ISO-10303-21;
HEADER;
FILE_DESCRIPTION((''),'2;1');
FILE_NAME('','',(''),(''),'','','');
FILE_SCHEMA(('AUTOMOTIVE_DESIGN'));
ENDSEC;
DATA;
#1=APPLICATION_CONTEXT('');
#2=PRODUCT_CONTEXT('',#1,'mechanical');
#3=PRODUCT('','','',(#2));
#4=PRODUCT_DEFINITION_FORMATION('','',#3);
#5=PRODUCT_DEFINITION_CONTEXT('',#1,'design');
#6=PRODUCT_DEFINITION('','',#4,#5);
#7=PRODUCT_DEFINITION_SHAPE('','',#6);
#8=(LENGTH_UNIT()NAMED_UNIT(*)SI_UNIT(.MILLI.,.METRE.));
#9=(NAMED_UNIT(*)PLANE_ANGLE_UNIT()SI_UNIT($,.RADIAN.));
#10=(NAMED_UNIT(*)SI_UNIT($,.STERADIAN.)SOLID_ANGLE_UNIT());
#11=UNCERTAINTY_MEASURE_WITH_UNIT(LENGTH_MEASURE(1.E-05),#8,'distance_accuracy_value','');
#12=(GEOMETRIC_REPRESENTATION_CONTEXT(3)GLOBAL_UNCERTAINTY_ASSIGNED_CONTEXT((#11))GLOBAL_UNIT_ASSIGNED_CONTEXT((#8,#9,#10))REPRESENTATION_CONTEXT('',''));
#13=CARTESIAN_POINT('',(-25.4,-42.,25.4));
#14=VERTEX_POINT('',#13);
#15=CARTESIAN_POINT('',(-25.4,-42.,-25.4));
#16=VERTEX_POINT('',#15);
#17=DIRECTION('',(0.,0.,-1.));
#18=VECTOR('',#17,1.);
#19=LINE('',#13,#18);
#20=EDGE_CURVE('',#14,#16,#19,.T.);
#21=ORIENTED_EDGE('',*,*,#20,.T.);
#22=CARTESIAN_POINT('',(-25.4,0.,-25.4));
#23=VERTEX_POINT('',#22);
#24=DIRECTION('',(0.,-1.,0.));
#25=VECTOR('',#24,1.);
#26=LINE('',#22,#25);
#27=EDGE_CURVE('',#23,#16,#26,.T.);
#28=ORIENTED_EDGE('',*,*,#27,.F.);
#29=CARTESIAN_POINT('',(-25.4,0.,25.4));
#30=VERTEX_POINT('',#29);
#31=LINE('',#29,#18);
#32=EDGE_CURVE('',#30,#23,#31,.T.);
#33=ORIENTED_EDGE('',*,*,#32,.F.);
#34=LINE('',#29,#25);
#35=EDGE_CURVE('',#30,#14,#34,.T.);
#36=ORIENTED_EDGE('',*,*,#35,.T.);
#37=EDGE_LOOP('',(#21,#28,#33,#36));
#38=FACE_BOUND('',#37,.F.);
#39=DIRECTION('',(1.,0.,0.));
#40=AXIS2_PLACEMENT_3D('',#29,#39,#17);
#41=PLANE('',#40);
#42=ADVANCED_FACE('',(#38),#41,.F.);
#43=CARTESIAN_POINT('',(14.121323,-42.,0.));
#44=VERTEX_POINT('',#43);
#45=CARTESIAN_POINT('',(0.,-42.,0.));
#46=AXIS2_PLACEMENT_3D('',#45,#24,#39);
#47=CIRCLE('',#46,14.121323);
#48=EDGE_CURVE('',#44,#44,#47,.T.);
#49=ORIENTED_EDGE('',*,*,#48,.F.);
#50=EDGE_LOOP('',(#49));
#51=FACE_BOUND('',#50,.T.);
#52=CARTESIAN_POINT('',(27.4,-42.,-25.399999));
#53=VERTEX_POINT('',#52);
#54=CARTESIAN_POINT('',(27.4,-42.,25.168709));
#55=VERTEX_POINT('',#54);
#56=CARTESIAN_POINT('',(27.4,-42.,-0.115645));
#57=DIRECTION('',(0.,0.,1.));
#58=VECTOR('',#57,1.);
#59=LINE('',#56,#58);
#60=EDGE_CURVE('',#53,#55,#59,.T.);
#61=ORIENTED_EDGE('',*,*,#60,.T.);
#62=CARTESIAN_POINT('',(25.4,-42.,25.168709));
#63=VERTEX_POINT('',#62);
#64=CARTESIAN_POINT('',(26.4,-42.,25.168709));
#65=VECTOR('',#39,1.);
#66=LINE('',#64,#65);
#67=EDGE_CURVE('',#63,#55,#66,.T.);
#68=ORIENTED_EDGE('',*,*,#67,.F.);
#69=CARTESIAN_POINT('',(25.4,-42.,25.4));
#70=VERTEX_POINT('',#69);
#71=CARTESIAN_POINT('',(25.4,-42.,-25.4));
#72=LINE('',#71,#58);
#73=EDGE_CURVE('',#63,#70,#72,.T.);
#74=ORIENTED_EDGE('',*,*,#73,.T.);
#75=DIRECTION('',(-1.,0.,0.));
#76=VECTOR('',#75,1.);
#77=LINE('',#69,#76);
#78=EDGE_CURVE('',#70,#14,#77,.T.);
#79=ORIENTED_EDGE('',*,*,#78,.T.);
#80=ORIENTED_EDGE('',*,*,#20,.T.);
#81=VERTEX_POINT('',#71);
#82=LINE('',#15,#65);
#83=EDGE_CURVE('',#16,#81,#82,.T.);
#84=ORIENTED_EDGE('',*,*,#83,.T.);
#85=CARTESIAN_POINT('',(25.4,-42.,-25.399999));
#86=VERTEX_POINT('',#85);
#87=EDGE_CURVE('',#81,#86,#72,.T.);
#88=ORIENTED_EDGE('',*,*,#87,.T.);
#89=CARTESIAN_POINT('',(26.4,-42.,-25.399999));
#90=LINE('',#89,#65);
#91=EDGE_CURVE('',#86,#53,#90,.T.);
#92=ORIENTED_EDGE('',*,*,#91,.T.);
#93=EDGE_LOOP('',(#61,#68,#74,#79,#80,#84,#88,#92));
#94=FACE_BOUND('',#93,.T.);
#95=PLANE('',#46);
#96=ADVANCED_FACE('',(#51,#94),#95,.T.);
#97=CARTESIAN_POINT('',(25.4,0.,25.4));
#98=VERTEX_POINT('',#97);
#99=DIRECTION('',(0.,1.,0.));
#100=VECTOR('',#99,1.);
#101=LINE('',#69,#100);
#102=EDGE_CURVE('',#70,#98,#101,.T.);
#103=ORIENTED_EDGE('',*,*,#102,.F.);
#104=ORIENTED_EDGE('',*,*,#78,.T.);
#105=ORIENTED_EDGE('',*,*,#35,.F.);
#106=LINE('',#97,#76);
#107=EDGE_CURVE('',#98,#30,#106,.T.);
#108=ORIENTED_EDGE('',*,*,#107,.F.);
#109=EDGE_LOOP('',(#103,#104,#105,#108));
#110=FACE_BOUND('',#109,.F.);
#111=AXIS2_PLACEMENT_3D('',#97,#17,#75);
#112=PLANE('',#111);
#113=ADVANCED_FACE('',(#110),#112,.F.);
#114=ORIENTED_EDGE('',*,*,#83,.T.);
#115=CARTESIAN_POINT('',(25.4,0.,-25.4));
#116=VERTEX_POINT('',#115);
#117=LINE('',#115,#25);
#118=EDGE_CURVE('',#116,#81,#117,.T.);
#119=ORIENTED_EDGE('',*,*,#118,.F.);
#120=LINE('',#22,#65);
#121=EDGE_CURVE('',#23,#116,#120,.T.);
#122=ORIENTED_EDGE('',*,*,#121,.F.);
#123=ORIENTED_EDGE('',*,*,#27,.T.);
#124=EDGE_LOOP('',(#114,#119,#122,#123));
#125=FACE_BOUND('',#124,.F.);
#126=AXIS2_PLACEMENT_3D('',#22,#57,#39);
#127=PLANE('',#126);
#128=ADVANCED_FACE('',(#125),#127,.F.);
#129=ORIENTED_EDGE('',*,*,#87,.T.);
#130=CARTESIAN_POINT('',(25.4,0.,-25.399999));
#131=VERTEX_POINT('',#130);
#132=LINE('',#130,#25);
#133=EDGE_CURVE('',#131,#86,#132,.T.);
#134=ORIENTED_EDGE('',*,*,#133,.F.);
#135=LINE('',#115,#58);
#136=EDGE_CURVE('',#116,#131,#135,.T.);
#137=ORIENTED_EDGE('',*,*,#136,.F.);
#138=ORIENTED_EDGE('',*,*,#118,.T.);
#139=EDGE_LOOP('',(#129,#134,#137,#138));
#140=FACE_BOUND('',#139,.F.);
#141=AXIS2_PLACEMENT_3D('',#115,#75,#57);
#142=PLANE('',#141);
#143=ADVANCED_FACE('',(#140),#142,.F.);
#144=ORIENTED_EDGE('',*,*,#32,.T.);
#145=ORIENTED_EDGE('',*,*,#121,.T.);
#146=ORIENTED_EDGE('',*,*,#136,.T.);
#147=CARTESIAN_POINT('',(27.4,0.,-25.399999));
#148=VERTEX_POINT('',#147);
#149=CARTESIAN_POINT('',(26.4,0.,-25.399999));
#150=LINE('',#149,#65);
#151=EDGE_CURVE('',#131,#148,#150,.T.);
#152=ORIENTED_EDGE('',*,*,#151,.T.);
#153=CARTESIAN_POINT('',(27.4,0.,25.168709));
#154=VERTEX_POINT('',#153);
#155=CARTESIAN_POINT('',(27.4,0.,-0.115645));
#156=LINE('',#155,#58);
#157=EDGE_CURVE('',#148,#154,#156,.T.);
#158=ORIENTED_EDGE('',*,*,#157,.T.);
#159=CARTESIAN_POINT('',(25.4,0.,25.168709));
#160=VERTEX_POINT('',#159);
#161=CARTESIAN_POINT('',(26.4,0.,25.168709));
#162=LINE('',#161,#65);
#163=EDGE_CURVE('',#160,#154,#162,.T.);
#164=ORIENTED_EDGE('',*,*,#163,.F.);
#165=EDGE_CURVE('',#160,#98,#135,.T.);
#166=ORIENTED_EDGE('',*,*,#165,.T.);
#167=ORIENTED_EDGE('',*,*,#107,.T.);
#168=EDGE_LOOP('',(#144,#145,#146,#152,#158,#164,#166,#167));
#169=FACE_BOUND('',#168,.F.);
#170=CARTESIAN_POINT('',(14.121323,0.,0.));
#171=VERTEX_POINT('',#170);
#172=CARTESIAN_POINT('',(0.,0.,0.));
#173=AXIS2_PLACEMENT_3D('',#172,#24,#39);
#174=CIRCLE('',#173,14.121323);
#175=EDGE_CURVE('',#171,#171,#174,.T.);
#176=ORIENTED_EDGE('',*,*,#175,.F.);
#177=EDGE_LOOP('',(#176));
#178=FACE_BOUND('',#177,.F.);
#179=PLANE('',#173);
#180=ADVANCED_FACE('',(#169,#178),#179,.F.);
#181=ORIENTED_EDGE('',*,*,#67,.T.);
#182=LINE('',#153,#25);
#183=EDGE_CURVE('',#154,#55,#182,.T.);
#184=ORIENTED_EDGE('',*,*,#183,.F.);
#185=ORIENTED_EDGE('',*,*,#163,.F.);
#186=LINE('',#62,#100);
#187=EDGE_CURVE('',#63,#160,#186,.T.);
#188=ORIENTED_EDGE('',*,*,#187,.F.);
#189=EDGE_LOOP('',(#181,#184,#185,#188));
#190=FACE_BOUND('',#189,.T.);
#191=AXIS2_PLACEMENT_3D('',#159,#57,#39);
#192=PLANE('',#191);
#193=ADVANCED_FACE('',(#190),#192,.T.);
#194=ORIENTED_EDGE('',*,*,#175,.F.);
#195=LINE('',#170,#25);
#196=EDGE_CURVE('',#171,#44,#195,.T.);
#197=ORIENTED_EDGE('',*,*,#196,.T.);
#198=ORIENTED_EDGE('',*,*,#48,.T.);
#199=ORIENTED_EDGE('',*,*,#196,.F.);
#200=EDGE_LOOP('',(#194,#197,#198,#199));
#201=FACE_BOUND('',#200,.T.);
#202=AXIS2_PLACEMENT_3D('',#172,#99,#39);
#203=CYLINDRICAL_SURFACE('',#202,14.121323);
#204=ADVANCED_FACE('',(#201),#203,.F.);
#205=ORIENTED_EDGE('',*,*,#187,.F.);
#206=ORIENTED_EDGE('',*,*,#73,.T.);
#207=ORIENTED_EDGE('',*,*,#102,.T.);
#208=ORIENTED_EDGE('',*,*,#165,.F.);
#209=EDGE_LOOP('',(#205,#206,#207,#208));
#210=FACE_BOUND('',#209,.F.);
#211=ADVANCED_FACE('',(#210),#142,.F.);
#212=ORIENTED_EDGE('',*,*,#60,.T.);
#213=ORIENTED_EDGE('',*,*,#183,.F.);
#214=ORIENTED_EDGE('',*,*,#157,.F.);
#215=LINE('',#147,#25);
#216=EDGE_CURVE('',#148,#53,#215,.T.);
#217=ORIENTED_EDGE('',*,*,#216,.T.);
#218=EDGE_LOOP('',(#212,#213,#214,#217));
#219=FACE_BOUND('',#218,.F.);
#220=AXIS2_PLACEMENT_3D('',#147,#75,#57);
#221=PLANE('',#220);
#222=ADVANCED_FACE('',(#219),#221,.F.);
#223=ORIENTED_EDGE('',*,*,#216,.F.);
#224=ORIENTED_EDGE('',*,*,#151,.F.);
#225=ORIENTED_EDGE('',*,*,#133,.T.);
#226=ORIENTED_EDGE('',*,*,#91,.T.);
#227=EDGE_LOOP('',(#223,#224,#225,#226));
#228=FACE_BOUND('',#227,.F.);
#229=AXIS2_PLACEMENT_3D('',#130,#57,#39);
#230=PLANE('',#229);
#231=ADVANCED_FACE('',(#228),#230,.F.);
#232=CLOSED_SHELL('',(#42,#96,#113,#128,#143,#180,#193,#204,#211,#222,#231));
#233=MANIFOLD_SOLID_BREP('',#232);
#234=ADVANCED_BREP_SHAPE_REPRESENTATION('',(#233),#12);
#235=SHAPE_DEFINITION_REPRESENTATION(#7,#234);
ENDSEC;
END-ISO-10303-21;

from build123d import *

# Parameters (mm, degrees)
F0_R     = 14.121323
F1_DEPTH = 7
F0_W     = 2
F0_H     = 50.568709
F2_DEPTH = 42


with BuildPart() as f1:
    # F0 (on Front) → F1 (new body)
    with BuildSketch(Plane.XZ):
        Polygon((25.4, 25.4), (-25.4, 25.4), (-25.4, -25.4), (25.4, -25.4), (25.4, 25.168709), align=None)
        Circle(F0_R, mode=Mode.SUBTRACT)
    extrude(amount=F1_DEPTH)

    # F0 (on Front) → F2 (join)
    with BuildSketch(Plane.XZ):
        Polygon((25.4, 25.4), (-25.4, 25.4), (-25.4, -25.4), (25.4, -25.4), (25.4, 25.168709), align=None)
        Circle(F0_R, mode=Mode.SUBTRACT)
        with Locations((26.4, -0.115645)):
            Rectangle(F0_W, F0_H)
    extrude(amount=F2_DEPTH)


solid = f1.part
